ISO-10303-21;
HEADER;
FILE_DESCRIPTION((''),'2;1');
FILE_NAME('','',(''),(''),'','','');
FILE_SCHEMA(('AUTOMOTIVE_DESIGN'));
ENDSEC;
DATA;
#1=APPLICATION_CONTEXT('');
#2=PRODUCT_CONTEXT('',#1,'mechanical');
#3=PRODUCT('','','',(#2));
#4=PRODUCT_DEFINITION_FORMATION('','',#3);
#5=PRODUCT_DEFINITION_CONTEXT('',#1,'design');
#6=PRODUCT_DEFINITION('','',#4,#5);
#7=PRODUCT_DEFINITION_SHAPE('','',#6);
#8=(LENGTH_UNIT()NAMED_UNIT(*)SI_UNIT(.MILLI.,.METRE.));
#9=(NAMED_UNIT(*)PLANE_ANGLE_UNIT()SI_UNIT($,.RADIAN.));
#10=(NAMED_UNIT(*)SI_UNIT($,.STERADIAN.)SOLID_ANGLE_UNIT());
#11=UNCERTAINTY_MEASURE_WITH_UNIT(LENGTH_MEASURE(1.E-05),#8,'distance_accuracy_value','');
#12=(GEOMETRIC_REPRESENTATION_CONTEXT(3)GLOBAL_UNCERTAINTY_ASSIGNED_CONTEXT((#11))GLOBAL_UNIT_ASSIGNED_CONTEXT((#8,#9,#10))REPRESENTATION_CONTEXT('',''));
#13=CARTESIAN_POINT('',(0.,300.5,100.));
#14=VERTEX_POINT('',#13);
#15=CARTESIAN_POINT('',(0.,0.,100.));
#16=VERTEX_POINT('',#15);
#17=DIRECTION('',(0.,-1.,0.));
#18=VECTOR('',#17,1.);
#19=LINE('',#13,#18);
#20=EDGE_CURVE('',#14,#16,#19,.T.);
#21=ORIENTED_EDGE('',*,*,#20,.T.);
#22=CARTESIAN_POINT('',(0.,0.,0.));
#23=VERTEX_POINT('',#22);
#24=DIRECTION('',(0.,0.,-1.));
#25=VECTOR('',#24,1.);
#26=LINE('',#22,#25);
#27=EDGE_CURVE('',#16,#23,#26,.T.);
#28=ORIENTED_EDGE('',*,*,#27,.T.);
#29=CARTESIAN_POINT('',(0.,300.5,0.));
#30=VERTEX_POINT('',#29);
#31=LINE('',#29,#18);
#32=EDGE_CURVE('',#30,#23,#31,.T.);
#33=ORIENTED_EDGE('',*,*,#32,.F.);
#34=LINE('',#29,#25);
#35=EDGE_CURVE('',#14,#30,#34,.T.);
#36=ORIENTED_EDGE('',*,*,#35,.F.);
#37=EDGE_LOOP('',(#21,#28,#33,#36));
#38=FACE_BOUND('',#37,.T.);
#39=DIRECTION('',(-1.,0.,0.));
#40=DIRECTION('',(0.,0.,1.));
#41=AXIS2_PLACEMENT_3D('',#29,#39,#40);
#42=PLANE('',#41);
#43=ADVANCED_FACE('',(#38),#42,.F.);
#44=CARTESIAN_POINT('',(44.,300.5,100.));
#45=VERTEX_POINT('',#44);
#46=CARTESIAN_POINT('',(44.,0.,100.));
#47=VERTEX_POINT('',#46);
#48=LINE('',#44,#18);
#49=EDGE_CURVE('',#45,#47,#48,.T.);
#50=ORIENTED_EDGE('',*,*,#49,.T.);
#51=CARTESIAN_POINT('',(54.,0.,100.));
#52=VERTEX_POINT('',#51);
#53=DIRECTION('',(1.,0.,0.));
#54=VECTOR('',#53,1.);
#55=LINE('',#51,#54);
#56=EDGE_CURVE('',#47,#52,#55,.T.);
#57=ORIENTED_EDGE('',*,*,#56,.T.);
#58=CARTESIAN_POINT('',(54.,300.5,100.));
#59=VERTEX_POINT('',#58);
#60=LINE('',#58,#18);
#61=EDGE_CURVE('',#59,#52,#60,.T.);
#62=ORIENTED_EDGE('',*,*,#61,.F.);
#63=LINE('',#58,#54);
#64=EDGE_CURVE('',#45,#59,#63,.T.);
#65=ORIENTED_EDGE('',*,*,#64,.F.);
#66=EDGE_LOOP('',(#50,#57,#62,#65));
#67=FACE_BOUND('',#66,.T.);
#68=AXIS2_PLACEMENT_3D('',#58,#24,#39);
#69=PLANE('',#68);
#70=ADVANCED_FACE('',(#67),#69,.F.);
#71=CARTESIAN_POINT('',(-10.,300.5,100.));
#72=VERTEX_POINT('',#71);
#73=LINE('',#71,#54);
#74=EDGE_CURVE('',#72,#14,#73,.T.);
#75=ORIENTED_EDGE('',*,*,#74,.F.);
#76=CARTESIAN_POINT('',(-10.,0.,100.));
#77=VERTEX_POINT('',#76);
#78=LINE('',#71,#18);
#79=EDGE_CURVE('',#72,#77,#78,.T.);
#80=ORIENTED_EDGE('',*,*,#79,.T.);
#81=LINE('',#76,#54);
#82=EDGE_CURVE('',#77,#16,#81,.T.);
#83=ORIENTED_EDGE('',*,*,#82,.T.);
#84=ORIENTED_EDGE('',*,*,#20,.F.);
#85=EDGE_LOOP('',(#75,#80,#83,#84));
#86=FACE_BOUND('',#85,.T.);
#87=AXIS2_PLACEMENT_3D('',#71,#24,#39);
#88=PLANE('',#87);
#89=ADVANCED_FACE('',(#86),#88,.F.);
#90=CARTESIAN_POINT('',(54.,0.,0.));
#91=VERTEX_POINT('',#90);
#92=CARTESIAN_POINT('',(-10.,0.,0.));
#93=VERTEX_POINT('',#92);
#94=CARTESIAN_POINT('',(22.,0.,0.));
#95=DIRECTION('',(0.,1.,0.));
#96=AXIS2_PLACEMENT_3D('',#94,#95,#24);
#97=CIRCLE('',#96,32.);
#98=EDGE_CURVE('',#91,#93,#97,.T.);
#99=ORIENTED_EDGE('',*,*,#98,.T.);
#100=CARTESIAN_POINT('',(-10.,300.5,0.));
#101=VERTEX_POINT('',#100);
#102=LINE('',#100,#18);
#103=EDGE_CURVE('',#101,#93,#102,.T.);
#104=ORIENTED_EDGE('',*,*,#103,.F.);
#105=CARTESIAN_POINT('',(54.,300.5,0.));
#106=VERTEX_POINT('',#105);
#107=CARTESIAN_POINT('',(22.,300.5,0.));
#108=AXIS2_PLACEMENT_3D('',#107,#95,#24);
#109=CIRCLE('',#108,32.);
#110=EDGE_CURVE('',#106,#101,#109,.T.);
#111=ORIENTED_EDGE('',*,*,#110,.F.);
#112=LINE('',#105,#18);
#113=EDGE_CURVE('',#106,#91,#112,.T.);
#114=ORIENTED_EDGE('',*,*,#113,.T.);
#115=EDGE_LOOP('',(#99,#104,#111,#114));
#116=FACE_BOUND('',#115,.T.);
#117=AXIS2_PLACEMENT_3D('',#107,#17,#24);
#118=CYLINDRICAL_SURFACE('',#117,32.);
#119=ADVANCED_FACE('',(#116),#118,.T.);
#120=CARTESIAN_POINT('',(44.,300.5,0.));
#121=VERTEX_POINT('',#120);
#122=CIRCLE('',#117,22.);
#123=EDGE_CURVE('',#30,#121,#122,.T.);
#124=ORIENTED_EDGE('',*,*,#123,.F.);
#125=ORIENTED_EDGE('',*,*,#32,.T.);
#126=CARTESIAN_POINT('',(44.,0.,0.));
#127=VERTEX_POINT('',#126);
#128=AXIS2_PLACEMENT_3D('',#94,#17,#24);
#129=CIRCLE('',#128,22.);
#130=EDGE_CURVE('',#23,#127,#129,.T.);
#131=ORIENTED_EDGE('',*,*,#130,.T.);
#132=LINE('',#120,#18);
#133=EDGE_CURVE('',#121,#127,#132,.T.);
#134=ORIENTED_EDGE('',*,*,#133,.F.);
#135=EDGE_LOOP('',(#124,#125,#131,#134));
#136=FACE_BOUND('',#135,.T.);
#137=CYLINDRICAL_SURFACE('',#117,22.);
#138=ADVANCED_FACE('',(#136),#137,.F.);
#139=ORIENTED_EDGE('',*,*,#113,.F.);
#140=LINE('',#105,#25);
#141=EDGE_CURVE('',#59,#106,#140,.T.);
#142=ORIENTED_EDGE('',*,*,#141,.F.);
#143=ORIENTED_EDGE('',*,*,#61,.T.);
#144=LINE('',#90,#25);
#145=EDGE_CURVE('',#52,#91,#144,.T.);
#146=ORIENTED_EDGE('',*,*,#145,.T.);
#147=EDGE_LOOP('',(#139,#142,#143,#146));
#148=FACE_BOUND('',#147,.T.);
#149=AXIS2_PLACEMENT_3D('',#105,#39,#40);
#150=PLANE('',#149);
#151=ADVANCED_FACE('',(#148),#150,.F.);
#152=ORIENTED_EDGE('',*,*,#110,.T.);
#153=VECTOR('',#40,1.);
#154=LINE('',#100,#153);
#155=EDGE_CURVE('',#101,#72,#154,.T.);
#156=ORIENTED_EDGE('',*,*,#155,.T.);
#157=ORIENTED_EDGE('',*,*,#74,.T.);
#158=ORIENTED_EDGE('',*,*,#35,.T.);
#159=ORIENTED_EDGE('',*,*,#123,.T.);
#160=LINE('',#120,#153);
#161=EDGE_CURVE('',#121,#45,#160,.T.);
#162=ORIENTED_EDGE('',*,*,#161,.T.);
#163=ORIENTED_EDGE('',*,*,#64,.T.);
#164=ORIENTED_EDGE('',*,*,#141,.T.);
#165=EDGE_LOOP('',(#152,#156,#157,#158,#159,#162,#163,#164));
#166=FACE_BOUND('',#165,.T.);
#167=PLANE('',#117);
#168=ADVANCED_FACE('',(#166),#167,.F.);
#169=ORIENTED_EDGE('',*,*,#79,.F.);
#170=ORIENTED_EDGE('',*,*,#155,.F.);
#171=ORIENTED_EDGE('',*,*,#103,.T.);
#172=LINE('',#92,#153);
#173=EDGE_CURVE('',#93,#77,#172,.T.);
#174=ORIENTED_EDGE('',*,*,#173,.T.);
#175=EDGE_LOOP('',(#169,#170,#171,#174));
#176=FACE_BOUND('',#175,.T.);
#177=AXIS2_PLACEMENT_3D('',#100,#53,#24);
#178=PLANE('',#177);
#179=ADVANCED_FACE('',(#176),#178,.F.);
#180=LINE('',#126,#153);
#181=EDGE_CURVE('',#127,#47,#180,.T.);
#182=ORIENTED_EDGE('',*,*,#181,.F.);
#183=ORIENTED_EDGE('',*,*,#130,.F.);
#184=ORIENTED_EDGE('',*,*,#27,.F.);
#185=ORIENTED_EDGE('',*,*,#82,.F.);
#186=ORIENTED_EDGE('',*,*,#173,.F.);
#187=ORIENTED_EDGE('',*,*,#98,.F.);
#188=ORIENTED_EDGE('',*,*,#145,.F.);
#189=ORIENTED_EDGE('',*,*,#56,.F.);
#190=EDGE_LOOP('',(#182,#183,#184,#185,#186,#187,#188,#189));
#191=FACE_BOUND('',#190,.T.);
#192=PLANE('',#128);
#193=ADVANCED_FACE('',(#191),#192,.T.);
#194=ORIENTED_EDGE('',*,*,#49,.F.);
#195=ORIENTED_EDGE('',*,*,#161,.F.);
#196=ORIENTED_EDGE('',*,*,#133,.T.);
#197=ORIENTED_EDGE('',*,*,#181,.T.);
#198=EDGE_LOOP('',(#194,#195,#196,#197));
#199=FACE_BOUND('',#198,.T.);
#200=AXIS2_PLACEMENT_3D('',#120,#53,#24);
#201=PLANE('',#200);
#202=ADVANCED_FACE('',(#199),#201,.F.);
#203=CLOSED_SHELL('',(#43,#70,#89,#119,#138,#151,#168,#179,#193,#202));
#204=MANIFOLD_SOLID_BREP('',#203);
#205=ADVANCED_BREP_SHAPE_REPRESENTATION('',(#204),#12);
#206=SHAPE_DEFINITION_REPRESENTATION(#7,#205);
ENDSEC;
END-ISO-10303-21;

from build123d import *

# Parameters (mm, degrees)
BOSS_EXTRUDE1_DEPTH = 300.5


with BuildPart() as part:
    # Sketch1 → Boss-Extrude1 (new body)
    with BuildSketch(Plane(origin=(0, 0, 0), x_dir=(1, 0, 0), z_dir=(0, 1, 0))):
        with BuildLine():
            Line((0, 0), (0, -100))
            Line((0, -100), (-10, -100))
            Line((-10, -100), (-10, 0))
            ThreePointArc((-10, 0), (22, 32), (54, 0))
            Line((54, 0), (54, -100))
            Line((54, -100), (44, -100))
            Line((44, -100), (44, 0))
            ThreePointArc((44, 0), (22, 22), (0, 0))
        make_face()
    extrude(amount=BOSS_EXTRUDE1_DEPTH)


solid = part.part
